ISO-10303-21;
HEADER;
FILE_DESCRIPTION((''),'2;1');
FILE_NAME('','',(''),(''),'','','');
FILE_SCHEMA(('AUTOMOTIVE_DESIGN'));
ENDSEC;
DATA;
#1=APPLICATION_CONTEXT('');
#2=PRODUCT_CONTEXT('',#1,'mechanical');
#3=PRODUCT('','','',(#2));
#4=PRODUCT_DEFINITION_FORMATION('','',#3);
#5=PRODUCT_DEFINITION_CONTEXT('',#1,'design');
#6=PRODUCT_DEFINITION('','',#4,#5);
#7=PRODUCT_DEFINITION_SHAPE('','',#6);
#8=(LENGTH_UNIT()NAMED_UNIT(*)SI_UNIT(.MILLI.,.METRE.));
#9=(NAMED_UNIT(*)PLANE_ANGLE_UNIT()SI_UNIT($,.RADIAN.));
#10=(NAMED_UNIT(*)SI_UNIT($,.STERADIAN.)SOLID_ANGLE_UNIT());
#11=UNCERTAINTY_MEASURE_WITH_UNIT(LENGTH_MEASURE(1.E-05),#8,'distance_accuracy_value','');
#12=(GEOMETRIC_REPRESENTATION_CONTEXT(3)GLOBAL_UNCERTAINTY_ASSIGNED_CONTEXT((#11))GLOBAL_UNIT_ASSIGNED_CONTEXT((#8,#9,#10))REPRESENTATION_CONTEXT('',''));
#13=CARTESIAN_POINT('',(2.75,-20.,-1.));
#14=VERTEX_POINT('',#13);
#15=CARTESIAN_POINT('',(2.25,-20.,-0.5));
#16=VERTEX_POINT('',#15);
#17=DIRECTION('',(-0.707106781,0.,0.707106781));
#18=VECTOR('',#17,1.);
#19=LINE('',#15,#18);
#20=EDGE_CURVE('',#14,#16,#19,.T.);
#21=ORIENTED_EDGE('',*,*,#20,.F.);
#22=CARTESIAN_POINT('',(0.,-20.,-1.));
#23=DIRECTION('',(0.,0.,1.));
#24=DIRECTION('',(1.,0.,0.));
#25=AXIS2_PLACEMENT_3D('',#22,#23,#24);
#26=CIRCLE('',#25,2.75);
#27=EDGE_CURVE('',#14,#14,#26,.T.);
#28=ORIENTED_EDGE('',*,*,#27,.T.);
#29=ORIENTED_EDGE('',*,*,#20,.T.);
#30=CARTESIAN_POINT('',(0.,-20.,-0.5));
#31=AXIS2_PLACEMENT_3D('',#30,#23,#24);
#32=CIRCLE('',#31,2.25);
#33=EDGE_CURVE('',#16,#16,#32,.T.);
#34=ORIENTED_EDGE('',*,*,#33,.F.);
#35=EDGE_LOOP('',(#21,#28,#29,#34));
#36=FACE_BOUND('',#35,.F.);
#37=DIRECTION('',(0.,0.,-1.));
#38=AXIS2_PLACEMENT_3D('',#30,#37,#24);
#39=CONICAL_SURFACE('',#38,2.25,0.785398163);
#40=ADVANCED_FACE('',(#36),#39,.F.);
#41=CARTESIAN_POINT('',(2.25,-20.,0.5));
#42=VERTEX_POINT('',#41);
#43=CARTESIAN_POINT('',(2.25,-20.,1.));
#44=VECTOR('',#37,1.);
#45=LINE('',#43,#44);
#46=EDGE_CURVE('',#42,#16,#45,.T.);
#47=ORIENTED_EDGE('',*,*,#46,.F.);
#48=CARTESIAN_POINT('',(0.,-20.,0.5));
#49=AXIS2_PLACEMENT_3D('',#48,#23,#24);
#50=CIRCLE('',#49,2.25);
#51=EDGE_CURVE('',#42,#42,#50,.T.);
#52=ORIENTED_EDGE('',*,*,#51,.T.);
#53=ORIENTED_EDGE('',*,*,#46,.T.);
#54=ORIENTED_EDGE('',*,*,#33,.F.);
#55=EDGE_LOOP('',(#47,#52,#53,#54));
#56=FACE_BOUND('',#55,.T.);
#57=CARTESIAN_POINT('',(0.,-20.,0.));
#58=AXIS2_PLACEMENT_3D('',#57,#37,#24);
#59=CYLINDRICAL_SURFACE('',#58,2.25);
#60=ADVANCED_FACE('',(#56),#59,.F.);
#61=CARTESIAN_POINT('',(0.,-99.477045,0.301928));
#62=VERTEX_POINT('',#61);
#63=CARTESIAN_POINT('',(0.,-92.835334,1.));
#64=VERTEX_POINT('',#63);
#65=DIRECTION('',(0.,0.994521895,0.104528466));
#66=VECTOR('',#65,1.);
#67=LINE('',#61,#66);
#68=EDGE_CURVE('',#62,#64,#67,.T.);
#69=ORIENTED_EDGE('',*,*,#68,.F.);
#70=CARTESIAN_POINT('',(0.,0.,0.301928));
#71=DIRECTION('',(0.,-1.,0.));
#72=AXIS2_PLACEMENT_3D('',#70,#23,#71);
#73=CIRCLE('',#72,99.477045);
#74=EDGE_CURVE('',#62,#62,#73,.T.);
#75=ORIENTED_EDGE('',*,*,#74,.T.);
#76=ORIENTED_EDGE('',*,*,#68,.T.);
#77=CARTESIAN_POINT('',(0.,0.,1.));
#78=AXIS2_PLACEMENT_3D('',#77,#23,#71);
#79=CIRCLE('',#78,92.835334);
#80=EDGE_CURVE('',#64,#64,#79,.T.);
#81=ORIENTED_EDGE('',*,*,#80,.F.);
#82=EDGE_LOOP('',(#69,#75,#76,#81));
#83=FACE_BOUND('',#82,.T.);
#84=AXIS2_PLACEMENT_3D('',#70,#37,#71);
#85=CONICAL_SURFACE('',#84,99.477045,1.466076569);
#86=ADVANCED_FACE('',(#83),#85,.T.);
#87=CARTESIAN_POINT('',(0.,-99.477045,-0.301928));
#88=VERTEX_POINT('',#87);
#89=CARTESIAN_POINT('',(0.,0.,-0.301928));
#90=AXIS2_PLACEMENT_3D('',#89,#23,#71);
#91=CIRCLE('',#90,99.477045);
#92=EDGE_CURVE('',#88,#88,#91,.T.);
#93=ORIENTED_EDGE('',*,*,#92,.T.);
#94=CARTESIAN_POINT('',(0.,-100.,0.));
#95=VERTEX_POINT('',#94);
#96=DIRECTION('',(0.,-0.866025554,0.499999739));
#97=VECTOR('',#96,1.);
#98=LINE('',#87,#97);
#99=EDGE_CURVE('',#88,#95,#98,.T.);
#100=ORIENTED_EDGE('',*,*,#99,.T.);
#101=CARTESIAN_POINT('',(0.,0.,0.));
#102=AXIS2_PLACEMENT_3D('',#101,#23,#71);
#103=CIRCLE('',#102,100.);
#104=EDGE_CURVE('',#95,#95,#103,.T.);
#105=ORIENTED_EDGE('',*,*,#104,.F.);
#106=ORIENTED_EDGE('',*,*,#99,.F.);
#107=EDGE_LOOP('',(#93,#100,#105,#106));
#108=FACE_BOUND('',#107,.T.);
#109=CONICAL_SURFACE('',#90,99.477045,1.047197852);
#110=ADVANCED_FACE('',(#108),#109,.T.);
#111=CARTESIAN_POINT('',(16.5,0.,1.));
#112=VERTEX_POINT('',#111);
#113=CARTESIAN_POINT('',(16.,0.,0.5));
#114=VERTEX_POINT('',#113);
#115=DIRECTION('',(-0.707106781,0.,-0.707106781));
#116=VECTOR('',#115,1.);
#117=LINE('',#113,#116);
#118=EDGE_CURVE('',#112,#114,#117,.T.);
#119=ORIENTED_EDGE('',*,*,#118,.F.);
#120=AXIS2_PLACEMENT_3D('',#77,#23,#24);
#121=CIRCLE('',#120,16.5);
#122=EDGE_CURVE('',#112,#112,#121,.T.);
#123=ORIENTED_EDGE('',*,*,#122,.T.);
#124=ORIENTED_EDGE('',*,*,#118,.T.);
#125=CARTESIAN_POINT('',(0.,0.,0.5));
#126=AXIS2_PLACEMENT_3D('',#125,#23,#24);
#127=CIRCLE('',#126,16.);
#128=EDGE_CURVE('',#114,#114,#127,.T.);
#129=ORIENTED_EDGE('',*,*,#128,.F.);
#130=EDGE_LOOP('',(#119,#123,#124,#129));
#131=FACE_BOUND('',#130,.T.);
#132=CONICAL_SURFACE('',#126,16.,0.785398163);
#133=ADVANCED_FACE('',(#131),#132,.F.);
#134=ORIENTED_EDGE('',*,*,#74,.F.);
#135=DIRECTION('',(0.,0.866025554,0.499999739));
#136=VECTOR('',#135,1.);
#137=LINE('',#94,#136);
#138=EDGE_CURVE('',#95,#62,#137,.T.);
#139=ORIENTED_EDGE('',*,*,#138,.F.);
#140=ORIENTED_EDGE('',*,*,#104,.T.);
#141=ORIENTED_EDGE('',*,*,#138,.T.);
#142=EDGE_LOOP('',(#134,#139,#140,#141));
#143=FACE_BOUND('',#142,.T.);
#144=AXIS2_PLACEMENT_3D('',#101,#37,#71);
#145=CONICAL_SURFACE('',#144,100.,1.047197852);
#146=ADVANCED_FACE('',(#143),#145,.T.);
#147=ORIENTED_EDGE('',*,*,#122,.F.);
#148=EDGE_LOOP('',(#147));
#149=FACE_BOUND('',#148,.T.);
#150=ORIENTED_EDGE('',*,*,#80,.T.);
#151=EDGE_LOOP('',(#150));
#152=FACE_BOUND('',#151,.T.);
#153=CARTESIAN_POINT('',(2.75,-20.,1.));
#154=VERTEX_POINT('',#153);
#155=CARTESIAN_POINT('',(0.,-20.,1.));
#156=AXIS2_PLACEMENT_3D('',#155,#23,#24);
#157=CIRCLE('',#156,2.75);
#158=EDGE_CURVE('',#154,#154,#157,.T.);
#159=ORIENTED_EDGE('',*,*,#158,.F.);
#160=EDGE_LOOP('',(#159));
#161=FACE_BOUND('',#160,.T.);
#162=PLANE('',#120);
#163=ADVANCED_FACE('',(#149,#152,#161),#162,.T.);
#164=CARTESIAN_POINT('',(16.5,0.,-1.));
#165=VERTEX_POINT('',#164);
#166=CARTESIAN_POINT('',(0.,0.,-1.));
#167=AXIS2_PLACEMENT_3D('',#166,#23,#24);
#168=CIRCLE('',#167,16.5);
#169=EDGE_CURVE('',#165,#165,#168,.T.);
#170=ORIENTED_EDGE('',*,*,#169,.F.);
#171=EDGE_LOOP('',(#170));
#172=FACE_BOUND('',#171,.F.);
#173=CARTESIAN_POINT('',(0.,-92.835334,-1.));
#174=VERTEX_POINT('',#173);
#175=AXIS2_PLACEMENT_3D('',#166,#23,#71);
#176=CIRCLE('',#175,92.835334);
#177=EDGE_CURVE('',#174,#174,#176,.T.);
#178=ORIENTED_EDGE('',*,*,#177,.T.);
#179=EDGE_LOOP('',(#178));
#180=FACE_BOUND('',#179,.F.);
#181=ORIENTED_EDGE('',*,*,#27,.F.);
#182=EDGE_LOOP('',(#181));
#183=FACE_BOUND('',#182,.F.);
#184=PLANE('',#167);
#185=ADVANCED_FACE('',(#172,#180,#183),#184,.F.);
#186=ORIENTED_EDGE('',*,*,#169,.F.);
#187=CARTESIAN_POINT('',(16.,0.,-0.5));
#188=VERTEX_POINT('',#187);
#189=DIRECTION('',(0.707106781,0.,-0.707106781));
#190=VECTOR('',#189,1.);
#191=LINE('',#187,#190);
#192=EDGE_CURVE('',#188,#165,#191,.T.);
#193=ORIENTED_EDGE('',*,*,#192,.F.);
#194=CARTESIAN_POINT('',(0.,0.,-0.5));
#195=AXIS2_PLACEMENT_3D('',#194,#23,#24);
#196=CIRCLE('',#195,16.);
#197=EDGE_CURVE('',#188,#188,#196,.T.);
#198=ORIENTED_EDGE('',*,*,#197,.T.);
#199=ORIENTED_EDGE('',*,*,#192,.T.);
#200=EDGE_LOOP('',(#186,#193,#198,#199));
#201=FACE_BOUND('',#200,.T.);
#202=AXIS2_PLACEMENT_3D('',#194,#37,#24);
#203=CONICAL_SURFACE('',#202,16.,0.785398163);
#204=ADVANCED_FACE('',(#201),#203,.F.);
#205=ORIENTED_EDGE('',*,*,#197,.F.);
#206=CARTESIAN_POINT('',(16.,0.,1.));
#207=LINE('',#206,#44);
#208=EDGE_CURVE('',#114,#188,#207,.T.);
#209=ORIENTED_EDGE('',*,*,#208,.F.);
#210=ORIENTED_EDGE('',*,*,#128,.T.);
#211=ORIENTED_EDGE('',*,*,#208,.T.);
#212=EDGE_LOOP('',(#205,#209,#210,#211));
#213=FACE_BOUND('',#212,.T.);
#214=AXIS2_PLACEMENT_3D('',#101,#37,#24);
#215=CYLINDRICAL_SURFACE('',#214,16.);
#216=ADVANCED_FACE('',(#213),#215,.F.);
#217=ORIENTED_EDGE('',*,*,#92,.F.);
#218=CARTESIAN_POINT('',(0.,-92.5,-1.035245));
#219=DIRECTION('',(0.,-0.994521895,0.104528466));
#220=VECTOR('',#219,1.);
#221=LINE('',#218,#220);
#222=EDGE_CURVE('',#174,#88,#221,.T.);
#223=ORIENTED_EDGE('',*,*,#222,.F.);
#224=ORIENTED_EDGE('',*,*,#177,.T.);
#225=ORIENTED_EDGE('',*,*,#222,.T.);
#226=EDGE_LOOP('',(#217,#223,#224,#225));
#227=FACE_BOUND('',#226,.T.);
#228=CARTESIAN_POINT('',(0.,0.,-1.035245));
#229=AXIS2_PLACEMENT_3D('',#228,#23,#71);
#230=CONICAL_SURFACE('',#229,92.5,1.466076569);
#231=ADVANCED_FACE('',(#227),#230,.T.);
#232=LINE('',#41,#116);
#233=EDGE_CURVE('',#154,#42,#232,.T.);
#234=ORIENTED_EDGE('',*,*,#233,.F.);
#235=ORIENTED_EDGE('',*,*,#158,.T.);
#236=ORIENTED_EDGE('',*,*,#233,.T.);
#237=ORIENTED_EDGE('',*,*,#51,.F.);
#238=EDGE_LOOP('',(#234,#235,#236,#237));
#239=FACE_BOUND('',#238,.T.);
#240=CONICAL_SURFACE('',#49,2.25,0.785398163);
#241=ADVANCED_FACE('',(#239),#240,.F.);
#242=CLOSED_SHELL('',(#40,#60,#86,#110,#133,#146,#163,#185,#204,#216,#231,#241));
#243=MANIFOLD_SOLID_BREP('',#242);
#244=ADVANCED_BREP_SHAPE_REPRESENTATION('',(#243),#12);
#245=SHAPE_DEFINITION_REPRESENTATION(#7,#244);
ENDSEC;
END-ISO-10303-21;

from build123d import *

# Parameters (mm, degrees)
F0_R     = 100
F0_R_2   = 2.25
F0_R_3   = 16
F1_DEPTH = 1
F4_SIZE  = 0.5


with BuildPart() as f1:
    # F0 (on Top) → F1 (new body, symmetric)
    with BuildSketch(Plane.XY):
        Circle(F0_R)
        with Locations((0, -20)):
            Circle(F0_R_2, mode=Mode.SUBTRACT)
        Circle(F0_R_3, mode=Mode.SUBTRACT)
    extrude(amount=F1_DEPTH, both=True)

    # F2 (on Right) → F3 (revolve, cut)
    with BuildSketch(Plane.YZ):
        Polygon((-100, 1.035245), (-100, 0), (-99.477045, 0.301928), (-92.5, 1.035245), align=None)
        Polygon((-99.477045, -0.301928), (-100, 0), (-100, -1.035245), (-92.5, -1.035245), align=None)
    revolve(axis=Axis((0, 0, 4.501528), (0, 0, 1)), mode=Mode.SUBTRACT)

    # F4
    f4_edges = [f1.edges().sort_by_distance(p)[0] for p in [
        (-16, 0, 1),
        (-16, 0, -1),
        (-2.25, -20, 1),
        (-2.25, -20, -1),
    ]]
    chamfer(f4_edges, length=F4_SIZE)


solid = f1.part
